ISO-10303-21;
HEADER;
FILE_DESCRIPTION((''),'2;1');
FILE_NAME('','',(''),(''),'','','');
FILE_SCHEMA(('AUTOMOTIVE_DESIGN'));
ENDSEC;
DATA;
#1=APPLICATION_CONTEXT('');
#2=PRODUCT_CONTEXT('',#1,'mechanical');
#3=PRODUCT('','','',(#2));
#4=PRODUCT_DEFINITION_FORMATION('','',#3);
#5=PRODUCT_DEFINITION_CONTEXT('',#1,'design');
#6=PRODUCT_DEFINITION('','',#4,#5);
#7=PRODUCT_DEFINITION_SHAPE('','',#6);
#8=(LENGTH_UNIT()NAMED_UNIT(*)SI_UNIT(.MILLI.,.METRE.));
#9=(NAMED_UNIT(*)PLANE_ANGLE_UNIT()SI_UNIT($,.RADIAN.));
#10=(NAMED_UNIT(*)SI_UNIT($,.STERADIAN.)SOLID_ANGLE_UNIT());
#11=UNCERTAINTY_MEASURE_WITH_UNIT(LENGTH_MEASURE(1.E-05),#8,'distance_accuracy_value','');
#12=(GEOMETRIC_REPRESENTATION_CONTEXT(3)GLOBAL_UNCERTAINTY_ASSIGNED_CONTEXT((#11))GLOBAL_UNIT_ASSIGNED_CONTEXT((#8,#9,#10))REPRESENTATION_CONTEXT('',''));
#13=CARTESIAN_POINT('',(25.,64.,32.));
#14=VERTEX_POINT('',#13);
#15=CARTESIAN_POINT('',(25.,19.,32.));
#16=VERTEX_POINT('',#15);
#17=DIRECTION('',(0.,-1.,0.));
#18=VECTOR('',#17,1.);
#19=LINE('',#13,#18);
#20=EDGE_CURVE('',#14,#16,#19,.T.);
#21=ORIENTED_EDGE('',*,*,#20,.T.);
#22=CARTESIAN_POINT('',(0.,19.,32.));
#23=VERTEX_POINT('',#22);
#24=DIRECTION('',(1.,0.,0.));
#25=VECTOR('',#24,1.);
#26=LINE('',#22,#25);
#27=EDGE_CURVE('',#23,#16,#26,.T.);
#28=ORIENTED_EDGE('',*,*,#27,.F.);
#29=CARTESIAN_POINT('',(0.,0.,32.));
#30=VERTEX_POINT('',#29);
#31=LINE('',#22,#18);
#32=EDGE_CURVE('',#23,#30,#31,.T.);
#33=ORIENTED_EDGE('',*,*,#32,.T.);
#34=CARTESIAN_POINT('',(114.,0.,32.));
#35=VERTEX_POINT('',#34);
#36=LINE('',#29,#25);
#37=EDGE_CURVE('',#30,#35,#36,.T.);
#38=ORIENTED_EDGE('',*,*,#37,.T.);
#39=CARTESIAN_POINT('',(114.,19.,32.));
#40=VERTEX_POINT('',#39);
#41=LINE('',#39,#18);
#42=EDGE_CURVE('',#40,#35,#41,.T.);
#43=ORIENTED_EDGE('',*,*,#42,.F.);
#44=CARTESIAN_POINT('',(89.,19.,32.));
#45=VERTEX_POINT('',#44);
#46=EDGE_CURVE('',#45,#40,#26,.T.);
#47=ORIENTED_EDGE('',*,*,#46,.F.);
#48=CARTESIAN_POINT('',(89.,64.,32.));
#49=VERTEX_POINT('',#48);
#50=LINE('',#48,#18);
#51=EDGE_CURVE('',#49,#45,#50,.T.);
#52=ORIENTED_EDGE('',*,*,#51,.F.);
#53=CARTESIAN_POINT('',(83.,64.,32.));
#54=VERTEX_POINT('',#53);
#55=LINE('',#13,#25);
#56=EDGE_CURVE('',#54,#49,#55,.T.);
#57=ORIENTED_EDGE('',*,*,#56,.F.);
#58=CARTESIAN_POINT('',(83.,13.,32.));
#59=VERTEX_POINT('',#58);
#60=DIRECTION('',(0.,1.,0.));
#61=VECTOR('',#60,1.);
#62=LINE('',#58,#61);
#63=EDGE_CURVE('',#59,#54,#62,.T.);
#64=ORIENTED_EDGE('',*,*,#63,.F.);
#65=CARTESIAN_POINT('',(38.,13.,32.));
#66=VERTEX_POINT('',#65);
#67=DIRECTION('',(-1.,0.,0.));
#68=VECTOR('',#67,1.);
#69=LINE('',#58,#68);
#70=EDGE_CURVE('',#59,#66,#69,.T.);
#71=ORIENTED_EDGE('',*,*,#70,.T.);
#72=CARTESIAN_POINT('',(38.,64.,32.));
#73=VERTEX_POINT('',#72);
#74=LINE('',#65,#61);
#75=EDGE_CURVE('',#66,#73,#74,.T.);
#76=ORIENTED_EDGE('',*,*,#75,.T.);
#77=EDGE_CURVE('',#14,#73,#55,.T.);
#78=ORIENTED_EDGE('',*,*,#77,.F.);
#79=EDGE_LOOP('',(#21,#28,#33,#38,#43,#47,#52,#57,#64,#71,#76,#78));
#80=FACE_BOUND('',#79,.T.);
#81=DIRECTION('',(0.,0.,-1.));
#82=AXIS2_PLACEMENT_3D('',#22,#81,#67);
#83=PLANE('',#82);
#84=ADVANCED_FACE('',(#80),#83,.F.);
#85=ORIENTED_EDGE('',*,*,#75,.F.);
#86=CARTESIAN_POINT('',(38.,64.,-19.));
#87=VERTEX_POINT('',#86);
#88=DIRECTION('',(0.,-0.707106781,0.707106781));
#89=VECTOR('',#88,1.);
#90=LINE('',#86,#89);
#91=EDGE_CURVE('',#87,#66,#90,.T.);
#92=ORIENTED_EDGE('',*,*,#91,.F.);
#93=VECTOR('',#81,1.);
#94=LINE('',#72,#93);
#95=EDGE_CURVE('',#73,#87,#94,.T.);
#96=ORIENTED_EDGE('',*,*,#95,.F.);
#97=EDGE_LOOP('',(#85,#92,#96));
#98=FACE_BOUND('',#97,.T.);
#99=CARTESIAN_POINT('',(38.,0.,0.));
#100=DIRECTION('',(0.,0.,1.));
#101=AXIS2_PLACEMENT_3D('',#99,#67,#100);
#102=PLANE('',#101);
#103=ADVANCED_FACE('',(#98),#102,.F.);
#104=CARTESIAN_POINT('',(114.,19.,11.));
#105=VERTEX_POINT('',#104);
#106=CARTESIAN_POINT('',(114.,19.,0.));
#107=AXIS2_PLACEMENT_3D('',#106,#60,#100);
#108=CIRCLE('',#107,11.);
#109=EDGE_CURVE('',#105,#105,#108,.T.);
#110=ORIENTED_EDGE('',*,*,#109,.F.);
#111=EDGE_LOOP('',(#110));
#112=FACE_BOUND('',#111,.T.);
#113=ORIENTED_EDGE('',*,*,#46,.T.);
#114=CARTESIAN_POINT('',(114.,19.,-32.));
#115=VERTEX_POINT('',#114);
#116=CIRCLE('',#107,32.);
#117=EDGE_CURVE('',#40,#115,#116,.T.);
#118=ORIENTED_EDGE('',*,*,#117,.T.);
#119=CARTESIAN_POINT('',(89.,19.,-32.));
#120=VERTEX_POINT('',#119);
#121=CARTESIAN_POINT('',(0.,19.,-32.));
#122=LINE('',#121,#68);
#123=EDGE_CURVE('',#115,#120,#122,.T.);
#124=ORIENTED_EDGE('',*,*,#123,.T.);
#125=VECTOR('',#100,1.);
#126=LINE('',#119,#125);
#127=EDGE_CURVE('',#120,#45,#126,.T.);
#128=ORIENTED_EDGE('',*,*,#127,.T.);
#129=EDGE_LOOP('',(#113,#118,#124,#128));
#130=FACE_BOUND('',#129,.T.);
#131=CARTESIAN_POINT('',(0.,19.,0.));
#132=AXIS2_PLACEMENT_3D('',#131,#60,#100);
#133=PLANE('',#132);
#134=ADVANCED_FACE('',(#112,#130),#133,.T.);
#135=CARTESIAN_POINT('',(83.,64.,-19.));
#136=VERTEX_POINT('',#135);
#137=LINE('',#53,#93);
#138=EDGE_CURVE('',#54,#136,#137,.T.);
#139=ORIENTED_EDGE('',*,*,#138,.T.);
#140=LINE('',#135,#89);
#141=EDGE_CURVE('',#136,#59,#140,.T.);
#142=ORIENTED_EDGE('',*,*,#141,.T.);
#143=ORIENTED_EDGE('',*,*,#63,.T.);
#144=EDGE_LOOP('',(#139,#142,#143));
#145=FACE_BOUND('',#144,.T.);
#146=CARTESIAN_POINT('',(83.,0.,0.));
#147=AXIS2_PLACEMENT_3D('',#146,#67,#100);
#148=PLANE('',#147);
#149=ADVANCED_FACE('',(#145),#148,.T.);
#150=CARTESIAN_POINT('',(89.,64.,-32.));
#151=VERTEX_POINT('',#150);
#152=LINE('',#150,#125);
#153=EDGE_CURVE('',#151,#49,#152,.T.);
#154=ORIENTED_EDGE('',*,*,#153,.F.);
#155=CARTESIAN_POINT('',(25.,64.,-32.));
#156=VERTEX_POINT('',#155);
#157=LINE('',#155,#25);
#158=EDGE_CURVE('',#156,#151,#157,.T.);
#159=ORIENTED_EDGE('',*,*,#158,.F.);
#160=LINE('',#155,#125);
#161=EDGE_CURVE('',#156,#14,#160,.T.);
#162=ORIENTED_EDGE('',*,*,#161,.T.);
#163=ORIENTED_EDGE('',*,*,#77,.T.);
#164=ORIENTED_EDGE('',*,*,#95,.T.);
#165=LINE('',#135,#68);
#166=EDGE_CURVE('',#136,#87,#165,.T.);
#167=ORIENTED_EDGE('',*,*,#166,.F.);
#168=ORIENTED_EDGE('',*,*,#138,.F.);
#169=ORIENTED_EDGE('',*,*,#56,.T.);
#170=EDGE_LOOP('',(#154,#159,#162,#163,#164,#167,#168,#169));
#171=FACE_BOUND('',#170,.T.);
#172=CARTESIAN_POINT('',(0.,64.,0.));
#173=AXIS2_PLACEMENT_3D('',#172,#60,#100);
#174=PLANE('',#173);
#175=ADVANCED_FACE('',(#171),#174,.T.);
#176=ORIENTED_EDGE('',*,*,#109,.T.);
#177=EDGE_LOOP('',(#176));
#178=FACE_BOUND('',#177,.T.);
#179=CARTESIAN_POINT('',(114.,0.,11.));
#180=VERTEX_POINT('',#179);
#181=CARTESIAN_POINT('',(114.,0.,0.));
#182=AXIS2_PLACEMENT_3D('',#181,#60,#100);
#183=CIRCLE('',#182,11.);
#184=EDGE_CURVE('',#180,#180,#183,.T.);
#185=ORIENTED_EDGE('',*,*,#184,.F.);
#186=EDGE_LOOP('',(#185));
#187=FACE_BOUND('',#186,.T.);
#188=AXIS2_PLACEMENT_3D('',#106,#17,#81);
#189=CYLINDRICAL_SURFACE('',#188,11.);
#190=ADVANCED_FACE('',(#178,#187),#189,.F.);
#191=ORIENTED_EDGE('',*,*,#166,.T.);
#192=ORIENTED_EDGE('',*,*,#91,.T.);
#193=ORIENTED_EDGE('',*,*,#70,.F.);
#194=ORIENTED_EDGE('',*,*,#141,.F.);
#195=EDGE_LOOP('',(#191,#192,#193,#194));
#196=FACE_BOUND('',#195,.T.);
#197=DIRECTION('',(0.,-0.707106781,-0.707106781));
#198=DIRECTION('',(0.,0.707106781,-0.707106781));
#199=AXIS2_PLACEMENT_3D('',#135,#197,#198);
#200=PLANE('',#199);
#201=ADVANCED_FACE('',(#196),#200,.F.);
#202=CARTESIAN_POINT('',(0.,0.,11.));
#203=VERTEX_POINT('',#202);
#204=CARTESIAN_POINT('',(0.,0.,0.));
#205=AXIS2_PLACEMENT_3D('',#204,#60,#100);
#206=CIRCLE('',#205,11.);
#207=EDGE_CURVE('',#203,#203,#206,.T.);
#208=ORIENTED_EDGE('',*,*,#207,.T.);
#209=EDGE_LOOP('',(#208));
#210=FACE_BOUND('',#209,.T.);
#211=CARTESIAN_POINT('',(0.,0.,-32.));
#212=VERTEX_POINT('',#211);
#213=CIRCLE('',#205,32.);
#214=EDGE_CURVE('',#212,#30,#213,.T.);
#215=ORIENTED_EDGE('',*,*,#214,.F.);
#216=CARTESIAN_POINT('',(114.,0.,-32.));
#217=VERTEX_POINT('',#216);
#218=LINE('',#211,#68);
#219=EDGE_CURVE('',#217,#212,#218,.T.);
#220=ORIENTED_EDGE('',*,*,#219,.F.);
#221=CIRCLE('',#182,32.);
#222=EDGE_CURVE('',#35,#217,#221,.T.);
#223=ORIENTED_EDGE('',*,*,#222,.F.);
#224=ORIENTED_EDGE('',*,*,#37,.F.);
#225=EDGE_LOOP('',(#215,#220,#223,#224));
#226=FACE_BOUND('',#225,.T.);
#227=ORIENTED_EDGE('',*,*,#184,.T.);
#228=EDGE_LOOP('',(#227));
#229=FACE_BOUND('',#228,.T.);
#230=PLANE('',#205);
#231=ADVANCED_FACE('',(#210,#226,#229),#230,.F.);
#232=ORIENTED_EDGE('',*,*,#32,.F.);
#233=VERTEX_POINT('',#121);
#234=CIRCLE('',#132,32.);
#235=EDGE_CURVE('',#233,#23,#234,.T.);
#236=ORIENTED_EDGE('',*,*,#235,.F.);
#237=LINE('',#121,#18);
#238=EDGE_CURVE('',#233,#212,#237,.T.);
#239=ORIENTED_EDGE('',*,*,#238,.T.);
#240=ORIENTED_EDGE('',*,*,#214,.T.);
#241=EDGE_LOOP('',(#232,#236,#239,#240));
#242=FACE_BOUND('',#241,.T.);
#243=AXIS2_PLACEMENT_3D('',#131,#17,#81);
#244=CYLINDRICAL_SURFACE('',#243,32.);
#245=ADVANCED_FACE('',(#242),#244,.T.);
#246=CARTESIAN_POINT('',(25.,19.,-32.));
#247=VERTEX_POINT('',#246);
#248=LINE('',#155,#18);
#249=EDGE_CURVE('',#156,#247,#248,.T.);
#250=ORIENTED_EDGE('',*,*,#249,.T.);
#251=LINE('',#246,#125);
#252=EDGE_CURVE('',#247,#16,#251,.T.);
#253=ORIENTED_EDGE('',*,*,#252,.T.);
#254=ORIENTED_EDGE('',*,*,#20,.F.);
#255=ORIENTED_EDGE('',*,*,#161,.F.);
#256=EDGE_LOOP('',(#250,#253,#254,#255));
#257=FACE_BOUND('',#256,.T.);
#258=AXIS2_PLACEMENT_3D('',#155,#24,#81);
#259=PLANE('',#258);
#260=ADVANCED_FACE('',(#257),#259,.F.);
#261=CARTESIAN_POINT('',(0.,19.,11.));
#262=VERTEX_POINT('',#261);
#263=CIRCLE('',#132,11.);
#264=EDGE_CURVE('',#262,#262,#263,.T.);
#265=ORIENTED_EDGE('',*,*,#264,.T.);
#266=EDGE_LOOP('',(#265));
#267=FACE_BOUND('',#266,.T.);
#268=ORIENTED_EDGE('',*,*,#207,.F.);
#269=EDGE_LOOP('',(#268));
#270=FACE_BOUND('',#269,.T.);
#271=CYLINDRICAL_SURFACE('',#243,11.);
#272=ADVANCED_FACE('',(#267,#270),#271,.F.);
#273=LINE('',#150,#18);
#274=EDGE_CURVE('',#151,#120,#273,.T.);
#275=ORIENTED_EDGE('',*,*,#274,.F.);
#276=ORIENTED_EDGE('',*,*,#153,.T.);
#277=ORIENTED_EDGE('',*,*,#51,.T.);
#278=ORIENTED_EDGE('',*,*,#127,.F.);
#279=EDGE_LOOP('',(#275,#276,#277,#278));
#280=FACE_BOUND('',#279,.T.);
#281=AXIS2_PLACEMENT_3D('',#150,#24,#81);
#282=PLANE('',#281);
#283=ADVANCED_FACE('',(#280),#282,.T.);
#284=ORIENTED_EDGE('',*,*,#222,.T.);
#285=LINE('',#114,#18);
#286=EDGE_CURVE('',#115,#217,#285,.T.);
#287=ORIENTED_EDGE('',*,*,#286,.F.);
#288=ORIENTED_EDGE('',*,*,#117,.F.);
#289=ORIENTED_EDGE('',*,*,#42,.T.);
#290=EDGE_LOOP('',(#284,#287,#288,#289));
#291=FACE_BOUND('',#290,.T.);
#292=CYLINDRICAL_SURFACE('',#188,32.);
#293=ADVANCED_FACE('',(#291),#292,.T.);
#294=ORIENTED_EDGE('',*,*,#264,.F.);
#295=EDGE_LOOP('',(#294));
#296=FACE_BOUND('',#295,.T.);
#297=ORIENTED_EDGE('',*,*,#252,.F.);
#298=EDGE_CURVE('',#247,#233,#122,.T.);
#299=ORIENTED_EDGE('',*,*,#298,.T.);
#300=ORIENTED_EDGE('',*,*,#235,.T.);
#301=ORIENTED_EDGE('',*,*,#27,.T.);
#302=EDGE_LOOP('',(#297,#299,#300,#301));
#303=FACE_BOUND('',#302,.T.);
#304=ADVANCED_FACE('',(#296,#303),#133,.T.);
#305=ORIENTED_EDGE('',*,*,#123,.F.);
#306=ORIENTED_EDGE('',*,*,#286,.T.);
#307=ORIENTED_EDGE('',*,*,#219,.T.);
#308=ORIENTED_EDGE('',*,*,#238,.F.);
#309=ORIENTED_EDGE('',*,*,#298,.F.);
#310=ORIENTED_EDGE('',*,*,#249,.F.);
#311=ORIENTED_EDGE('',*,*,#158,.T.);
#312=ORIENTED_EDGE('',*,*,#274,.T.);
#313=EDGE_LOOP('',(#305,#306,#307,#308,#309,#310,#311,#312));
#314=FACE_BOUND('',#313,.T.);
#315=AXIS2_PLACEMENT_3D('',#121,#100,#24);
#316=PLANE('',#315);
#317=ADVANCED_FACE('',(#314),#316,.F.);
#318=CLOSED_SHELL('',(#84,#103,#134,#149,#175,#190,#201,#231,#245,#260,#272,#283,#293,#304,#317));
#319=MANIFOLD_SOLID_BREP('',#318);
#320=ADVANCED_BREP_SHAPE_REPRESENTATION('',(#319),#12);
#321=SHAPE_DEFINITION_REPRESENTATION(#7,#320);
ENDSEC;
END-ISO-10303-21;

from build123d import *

# Parameters (mm, degrees)
SKETCH1_R           = 11
BOSS_EXTRUDE1_DEPTH = 19
SKETCH2_W           = 64
SKETCH2_H           = 64
BOSS_EXTRUDE2_DEPTH = 45
CUT_EXTRUDE2_START  = -13
CUT_EXTRUDE2_DEPTH  = 45


with BuildPart() as part:
    # Sketch1 → Boss-Extrude1 (new body)
    with BuildSketch(Plane(origin=(0, 0, 0), x_dir=(1, 0, 0), z_dir=(0, 1, 0))):
        with BuildLine():
            Line((0, 32), (114, 32))
            ThreePointArc((114, 32), (146, 0), (114, -32))
            Line((114, -32), (0, -32))
            ThreePointArc((0, -32), (-32, 0), (0, 32))
        make_face()
        with Locations(Location((0, 0, 0), (0, 0, 270))):
            Circle(SKETCH1_R, mode=Mode.SUBTRACT)
        with Locations(Location((114, 0, 0), (0, 0, 270))):
            Circle(SKETCH1_R, mode=Mode.SUBTRACT)
    extrude(amount=BOSS_EXTRUDE1_DEPTH)

    # Sketch2 → Boss-Extrude2 (add)
    with BuildSketch(Plane(origin=(0, 19, 0), x_dir=(1, 0, 0), z_dir=(0, 1, 0))):
        with Locations((57, 0)):
            Rectangle(SKETCH2_W, SKETCH2_H)
    extrude(amount=BOSS_EXTRUDE2_DEPTH)

    # Sketch3 → Cut-Extrude2 (cut)
    with BuildSketch(Plane.ZY.offset(-25).offset(CUT_EXTRUDE2_START)):
        Polygon((32, 64), (-19, 64), (32, 13), align=None)
    extrude(amount=-CUT_EXTRUDE2_DEPTH, mode=Mode.SUBTRACT)


solid = part.part
